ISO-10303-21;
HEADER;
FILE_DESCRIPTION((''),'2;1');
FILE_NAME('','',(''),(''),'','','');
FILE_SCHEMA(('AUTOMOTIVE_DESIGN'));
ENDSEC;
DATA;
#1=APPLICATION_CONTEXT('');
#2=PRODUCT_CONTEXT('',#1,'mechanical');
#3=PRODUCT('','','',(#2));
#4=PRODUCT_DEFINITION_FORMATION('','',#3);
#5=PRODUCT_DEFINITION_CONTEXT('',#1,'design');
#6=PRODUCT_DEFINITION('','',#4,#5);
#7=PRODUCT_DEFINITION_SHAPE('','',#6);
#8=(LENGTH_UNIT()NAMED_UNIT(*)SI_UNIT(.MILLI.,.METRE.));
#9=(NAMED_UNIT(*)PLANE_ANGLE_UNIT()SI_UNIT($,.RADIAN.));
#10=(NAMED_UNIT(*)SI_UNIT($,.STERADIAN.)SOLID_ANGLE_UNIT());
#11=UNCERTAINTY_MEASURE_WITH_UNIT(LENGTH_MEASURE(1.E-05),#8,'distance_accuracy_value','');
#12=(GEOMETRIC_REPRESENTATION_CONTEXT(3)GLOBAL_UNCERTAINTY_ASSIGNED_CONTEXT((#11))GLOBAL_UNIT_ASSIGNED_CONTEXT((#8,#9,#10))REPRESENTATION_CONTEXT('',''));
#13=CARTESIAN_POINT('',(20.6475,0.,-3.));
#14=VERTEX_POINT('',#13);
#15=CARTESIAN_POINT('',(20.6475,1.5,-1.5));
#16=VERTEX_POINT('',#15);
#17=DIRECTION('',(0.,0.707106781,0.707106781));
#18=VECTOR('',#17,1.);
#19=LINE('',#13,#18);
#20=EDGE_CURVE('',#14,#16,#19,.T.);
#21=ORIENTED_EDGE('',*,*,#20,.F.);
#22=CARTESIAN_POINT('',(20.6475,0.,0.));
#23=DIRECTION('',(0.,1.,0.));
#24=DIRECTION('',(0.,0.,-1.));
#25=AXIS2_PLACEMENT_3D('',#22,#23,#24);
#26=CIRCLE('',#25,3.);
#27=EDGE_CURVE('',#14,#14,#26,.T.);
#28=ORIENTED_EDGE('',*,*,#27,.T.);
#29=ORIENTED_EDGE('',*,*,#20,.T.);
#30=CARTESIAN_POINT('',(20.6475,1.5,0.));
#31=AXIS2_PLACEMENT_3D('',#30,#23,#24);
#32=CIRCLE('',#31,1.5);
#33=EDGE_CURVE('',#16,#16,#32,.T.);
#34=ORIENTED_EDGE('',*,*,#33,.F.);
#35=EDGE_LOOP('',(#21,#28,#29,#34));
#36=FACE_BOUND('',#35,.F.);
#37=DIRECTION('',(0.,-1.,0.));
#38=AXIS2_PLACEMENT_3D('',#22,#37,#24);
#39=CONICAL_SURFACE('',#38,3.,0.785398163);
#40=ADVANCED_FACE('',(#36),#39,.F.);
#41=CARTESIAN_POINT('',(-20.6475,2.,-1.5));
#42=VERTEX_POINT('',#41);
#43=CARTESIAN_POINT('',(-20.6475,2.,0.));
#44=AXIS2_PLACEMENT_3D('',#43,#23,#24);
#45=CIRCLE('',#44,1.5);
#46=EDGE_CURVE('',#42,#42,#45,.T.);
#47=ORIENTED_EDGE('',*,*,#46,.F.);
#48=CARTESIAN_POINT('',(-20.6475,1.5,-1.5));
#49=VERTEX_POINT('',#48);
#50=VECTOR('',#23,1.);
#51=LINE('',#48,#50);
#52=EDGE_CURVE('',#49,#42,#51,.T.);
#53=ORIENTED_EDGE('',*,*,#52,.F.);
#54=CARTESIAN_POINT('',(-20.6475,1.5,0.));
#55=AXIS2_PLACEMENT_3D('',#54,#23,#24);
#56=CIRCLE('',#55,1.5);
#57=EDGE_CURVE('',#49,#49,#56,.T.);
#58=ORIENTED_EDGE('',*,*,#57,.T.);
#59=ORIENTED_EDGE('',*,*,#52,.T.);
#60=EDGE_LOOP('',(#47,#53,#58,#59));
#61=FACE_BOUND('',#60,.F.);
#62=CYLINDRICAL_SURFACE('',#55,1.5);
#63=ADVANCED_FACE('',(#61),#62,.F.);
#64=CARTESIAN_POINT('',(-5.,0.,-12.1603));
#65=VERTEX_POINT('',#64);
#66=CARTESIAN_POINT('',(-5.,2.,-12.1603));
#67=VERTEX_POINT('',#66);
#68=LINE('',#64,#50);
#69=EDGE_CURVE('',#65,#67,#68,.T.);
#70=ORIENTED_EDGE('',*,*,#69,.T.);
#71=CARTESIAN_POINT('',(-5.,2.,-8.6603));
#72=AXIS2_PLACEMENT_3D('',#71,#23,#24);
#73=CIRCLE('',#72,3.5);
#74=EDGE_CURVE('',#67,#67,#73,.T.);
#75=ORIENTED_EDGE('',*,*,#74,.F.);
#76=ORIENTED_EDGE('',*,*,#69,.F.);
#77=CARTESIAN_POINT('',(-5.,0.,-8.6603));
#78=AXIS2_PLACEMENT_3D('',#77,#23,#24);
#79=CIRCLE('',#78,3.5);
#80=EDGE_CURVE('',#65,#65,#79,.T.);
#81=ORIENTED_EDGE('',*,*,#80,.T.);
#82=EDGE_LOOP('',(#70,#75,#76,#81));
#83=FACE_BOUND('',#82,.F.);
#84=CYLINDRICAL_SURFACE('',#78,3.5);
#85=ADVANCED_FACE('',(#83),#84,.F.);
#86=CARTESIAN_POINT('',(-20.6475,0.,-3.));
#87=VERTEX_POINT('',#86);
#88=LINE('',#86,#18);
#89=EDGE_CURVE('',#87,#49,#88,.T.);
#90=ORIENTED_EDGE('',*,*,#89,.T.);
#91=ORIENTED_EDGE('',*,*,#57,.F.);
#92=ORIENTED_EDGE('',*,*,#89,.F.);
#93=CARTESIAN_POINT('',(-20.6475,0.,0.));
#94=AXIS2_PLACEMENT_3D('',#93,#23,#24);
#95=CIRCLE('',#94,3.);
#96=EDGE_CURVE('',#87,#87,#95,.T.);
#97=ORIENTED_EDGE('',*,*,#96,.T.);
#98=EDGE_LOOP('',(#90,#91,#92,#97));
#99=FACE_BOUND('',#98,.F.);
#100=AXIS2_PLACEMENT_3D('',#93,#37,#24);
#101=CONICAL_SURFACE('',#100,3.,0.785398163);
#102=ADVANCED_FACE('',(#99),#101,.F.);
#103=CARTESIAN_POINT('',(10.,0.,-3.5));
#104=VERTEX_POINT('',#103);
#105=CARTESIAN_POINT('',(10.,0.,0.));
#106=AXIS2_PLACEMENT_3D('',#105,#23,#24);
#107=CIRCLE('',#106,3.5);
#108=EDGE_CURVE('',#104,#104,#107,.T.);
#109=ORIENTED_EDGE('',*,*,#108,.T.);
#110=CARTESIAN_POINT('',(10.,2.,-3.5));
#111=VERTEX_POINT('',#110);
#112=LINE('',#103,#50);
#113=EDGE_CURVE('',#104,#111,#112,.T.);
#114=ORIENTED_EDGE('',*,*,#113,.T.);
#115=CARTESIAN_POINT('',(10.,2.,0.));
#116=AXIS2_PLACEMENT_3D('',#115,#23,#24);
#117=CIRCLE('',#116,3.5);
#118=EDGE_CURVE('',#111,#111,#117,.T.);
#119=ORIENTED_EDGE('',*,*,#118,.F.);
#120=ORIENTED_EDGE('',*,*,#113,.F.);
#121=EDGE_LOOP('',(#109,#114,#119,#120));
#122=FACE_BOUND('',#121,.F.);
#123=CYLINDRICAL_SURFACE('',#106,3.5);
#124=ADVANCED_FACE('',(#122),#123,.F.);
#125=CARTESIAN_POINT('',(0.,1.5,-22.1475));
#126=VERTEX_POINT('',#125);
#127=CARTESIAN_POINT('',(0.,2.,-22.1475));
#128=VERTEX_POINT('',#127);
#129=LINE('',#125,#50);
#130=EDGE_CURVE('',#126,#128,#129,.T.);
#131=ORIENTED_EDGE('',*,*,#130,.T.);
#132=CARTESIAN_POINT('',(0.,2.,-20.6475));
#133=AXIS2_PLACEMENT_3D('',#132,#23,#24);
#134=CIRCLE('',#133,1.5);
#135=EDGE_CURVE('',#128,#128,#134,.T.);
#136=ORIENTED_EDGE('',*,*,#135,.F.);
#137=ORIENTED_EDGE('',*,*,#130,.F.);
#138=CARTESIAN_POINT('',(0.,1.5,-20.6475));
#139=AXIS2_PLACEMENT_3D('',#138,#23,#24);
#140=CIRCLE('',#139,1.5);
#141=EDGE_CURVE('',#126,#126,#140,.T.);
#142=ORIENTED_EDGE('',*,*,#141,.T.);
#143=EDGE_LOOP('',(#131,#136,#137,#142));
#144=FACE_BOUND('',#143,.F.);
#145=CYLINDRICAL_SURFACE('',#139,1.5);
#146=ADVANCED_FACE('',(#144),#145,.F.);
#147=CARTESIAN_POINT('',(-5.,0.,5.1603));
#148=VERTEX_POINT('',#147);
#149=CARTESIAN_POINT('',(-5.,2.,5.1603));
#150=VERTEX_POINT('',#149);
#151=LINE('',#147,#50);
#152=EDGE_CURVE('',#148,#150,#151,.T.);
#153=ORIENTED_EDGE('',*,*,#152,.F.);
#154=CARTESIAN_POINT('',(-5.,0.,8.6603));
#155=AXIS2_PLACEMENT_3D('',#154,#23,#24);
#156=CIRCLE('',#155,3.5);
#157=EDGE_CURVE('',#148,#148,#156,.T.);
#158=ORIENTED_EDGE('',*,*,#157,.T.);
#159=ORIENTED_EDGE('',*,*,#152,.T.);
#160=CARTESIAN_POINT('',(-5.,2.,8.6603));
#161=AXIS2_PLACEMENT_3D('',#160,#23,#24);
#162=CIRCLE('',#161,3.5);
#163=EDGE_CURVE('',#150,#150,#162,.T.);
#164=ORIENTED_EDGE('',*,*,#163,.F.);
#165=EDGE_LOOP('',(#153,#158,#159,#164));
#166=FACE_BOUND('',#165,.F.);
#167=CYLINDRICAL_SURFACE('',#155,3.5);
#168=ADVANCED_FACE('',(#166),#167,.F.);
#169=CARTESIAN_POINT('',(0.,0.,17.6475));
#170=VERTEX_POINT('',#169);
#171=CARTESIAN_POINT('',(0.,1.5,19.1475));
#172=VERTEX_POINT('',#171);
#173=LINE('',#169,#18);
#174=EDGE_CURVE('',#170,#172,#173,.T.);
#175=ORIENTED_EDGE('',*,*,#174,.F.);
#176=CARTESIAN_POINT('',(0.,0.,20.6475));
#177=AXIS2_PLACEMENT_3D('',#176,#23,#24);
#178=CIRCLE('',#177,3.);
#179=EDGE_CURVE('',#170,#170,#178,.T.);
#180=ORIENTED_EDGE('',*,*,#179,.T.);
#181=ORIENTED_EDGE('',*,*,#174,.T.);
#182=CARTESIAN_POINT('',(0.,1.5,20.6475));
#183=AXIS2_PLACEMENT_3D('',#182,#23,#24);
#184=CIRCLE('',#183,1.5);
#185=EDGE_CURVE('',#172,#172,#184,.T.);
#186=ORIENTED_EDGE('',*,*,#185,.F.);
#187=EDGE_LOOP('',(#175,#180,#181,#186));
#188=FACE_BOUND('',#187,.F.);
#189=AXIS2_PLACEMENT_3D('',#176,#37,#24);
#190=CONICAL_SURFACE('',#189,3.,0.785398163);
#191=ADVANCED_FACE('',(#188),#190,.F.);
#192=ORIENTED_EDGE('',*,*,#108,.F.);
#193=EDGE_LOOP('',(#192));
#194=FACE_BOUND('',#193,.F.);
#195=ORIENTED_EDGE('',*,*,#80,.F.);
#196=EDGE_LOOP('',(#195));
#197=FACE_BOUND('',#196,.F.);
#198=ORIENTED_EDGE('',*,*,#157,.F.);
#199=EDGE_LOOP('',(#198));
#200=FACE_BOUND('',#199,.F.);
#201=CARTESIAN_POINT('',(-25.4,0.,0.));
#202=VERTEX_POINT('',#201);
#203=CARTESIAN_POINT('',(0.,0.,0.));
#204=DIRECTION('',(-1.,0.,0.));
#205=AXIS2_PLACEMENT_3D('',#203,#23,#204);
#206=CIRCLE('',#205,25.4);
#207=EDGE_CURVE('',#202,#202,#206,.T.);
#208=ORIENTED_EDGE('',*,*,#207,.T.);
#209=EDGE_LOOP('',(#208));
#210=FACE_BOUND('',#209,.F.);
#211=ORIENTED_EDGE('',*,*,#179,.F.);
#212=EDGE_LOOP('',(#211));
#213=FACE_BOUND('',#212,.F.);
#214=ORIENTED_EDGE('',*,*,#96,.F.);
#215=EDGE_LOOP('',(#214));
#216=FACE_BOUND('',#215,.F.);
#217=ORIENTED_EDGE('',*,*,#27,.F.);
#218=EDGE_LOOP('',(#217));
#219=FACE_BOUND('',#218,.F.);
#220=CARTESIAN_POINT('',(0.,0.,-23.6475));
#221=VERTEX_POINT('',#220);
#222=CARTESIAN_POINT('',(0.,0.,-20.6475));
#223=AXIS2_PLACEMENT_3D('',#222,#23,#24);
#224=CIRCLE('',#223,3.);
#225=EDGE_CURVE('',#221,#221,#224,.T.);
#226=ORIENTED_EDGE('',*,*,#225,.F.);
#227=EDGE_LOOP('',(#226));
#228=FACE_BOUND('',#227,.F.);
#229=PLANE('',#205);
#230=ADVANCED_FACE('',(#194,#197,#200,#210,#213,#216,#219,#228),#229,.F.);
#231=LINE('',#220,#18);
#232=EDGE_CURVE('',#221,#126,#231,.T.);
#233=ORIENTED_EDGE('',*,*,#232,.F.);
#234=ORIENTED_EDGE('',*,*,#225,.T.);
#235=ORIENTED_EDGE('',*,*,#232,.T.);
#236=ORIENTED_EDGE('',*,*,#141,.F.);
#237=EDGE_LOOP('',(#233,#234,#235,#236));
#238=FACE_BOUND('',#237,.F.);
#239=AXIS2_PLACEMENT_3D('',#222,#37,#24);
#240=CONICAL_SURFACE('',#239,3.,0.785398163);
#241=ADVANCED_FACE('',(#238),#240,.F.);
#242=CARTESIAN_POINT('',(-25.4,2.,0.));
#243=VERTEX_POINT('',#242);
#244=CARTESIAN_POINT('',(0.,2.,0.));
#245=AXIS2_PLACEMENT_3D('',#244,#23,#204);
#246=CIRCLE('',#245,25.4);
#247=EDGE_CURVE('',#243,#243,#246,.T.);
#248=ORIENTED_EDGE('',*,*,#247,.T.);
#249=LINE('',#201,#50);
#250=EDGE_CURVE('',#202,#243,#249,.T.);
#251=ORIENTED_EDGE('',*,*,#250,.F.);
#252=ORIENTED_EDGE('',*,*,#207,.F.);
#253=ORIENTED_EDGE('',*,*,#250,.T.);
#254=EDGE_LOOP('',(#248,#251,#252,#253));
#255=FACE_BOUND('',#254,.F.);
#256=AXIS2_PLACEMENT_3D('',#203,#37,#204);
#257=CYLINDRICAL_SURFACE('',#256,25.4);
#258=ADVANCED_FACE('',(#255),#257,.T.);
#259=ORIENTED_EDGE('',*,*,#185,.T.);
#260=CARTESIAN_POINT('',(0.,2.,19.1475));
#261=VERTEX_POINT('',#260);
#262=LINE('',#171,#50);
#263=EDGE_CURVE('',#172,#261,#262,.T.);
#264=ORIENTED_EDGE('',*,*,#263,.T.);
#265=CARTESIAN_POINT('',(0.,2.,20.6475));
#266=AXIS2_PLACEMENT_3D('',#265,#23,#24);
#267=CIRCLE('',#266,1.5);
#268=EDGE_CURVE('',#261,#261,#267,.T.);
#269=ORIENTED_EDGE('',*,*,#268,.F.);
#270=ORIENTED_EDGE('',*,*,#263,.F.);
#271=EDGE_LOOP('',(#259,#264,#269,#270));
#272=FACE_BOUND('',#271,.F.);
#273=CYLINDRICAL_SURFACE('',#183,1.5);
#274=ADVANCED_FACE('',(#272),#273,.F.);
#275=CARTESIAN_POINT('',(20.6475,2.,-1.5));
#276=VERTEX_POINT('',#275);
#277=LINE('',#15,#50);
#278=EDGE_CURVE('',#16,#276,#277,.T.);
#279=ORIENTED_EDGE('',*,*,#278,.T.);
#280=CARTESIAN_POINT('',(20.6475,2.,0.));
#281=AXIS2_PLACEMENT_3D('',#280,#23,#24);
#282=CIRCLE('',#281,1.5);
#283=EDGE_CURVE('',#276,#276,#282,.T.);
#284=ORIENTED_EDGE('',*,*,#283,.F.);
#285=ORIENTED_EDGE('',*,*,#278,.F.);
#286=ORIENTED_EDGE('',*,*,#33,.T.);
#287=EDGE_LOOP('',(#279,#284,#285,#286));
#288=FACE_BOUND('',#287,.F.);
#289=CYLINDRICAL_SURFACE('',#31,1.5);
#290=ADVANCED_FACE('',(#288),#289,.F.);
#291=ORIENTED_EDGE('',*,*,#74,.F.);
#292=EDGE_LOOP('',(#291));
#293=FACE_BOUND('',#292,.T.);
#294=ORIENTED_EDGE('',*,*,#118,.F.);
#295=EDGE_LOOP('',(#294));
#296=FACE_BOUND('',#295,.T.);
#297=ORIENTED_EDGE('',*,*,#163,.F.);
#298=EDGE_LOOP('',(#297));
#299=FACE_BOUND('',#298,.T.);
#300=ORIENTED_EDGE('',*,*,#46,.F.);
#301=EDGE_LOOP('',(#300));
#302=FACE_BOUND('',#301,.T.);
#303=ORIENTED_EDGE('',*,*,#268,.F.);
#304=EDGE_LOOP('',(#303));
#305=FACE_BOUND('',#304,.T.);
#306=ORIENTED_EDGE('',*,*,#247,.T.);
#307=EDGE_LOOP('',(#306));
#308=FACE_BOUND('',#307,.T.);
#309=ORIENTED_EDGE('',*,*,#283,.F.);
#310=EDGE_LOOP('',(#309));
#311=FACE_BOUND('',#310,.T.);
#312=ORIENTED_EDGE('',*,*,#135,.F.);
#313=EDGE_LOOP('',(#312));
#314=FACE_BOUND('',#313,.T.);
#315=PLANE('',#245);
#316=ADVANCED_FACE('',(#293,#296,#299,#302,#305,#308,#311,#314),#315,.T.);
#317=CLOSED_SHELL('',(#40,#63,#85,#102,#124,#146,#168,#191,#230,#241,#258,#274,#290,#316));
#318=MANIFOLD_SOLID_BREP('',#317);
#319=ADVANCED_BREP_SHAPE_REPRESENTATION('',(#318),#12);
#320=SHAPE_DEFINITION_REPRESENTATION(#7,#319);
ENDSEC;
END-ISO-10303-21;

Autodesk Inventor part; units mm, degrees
ref_plane "YZ Plane" through (0, 0, 0) normal (1, 0, 0) x (0, 1, 0)
ref_plane "XZ Plane" through (0, 0, 0) normal (0, 1, 0) x (-1, 0, 0)
ref_plane "XY Plane" through (0, 0, 0) normal (0, 0, 1) x (1, 0, 0)
sketch "Skizze1" plane through (0, 0, 0) normal (0, 1, 0) x (-1, 0, 0)
  circle A0 centre (0, 0) radius 25.4
  dimension "d0" = 50.8
extrude "Extrusion1" add sketch "Skizze1" along normal blind 2
sketch "Skizze2" plane through (0, 0, 0) normal (0, -1, 0) x (1, 0, 0)
  circle A0 centre (0, 0) radius 25.4 projected
  line L0 (-20.6475, 0) -> (0, 20.6475) construction
  line L1 (0, 20.6475) -> (20.6475, 0) construction
  line L2 (20.6475, 0) -> (0, -20.6475) construction
  line L3 (0, -20.6475) -> (-20.6475, 0) construction
  line L4 (0, 0) -> (10.3238, 10.3238) construction
  line L5 (0, 0) -> (-10.3238, 10.3238) construction
  circle A1 centre (0, 0) radius 25.4 construction
  line L6 (0, 0) -> (0, 25.4) construction
  point P0 (-20.6475, 0)
  point P1 (0, 20.6475)
  point P2 (20.6475, 0)
  dimension "d3" = 29.2
  dimension "d4" = 29.2
  dimension "d63" = 45
hole "Bohrung1" at (-20.6475, 0, 0) at (0, 0, 20.6475) at (20.6475, 0, 0) at (0, 0, -20.6475) direction (0, 1, 0) diameter 3 end through all countersink diameter 6 countersink angle 90
sketch "Skizze7" plane through (0, 0, 0) normal (0, -1, 0) x (1, 0, 0)
  circle A0 centre (0, 0) radius 25.4 construction
  circle A1 centre (0, 0) radius 10 construction
  line L0 (0, 0) -> (10, 0) construction
  circle A2 centre (0, 0) radius 10 construction
  line L1 (0, 0) -> (-5, 8.6603) construction
  circle A3 centre (0, 0) radius 10 construction
  line L2 (0, 0) -> (-5, -8.6603) construction
  dimension "d68" = 20
  dimension "d71" = 360
hole "Bohrung3" at (-5, 0, 8.6603) at (10, 0, 0) at (-5, 0, -8.6603) direction (0, 1, 0) diameter 7 end through all
properties part number "anschluss_daten"
